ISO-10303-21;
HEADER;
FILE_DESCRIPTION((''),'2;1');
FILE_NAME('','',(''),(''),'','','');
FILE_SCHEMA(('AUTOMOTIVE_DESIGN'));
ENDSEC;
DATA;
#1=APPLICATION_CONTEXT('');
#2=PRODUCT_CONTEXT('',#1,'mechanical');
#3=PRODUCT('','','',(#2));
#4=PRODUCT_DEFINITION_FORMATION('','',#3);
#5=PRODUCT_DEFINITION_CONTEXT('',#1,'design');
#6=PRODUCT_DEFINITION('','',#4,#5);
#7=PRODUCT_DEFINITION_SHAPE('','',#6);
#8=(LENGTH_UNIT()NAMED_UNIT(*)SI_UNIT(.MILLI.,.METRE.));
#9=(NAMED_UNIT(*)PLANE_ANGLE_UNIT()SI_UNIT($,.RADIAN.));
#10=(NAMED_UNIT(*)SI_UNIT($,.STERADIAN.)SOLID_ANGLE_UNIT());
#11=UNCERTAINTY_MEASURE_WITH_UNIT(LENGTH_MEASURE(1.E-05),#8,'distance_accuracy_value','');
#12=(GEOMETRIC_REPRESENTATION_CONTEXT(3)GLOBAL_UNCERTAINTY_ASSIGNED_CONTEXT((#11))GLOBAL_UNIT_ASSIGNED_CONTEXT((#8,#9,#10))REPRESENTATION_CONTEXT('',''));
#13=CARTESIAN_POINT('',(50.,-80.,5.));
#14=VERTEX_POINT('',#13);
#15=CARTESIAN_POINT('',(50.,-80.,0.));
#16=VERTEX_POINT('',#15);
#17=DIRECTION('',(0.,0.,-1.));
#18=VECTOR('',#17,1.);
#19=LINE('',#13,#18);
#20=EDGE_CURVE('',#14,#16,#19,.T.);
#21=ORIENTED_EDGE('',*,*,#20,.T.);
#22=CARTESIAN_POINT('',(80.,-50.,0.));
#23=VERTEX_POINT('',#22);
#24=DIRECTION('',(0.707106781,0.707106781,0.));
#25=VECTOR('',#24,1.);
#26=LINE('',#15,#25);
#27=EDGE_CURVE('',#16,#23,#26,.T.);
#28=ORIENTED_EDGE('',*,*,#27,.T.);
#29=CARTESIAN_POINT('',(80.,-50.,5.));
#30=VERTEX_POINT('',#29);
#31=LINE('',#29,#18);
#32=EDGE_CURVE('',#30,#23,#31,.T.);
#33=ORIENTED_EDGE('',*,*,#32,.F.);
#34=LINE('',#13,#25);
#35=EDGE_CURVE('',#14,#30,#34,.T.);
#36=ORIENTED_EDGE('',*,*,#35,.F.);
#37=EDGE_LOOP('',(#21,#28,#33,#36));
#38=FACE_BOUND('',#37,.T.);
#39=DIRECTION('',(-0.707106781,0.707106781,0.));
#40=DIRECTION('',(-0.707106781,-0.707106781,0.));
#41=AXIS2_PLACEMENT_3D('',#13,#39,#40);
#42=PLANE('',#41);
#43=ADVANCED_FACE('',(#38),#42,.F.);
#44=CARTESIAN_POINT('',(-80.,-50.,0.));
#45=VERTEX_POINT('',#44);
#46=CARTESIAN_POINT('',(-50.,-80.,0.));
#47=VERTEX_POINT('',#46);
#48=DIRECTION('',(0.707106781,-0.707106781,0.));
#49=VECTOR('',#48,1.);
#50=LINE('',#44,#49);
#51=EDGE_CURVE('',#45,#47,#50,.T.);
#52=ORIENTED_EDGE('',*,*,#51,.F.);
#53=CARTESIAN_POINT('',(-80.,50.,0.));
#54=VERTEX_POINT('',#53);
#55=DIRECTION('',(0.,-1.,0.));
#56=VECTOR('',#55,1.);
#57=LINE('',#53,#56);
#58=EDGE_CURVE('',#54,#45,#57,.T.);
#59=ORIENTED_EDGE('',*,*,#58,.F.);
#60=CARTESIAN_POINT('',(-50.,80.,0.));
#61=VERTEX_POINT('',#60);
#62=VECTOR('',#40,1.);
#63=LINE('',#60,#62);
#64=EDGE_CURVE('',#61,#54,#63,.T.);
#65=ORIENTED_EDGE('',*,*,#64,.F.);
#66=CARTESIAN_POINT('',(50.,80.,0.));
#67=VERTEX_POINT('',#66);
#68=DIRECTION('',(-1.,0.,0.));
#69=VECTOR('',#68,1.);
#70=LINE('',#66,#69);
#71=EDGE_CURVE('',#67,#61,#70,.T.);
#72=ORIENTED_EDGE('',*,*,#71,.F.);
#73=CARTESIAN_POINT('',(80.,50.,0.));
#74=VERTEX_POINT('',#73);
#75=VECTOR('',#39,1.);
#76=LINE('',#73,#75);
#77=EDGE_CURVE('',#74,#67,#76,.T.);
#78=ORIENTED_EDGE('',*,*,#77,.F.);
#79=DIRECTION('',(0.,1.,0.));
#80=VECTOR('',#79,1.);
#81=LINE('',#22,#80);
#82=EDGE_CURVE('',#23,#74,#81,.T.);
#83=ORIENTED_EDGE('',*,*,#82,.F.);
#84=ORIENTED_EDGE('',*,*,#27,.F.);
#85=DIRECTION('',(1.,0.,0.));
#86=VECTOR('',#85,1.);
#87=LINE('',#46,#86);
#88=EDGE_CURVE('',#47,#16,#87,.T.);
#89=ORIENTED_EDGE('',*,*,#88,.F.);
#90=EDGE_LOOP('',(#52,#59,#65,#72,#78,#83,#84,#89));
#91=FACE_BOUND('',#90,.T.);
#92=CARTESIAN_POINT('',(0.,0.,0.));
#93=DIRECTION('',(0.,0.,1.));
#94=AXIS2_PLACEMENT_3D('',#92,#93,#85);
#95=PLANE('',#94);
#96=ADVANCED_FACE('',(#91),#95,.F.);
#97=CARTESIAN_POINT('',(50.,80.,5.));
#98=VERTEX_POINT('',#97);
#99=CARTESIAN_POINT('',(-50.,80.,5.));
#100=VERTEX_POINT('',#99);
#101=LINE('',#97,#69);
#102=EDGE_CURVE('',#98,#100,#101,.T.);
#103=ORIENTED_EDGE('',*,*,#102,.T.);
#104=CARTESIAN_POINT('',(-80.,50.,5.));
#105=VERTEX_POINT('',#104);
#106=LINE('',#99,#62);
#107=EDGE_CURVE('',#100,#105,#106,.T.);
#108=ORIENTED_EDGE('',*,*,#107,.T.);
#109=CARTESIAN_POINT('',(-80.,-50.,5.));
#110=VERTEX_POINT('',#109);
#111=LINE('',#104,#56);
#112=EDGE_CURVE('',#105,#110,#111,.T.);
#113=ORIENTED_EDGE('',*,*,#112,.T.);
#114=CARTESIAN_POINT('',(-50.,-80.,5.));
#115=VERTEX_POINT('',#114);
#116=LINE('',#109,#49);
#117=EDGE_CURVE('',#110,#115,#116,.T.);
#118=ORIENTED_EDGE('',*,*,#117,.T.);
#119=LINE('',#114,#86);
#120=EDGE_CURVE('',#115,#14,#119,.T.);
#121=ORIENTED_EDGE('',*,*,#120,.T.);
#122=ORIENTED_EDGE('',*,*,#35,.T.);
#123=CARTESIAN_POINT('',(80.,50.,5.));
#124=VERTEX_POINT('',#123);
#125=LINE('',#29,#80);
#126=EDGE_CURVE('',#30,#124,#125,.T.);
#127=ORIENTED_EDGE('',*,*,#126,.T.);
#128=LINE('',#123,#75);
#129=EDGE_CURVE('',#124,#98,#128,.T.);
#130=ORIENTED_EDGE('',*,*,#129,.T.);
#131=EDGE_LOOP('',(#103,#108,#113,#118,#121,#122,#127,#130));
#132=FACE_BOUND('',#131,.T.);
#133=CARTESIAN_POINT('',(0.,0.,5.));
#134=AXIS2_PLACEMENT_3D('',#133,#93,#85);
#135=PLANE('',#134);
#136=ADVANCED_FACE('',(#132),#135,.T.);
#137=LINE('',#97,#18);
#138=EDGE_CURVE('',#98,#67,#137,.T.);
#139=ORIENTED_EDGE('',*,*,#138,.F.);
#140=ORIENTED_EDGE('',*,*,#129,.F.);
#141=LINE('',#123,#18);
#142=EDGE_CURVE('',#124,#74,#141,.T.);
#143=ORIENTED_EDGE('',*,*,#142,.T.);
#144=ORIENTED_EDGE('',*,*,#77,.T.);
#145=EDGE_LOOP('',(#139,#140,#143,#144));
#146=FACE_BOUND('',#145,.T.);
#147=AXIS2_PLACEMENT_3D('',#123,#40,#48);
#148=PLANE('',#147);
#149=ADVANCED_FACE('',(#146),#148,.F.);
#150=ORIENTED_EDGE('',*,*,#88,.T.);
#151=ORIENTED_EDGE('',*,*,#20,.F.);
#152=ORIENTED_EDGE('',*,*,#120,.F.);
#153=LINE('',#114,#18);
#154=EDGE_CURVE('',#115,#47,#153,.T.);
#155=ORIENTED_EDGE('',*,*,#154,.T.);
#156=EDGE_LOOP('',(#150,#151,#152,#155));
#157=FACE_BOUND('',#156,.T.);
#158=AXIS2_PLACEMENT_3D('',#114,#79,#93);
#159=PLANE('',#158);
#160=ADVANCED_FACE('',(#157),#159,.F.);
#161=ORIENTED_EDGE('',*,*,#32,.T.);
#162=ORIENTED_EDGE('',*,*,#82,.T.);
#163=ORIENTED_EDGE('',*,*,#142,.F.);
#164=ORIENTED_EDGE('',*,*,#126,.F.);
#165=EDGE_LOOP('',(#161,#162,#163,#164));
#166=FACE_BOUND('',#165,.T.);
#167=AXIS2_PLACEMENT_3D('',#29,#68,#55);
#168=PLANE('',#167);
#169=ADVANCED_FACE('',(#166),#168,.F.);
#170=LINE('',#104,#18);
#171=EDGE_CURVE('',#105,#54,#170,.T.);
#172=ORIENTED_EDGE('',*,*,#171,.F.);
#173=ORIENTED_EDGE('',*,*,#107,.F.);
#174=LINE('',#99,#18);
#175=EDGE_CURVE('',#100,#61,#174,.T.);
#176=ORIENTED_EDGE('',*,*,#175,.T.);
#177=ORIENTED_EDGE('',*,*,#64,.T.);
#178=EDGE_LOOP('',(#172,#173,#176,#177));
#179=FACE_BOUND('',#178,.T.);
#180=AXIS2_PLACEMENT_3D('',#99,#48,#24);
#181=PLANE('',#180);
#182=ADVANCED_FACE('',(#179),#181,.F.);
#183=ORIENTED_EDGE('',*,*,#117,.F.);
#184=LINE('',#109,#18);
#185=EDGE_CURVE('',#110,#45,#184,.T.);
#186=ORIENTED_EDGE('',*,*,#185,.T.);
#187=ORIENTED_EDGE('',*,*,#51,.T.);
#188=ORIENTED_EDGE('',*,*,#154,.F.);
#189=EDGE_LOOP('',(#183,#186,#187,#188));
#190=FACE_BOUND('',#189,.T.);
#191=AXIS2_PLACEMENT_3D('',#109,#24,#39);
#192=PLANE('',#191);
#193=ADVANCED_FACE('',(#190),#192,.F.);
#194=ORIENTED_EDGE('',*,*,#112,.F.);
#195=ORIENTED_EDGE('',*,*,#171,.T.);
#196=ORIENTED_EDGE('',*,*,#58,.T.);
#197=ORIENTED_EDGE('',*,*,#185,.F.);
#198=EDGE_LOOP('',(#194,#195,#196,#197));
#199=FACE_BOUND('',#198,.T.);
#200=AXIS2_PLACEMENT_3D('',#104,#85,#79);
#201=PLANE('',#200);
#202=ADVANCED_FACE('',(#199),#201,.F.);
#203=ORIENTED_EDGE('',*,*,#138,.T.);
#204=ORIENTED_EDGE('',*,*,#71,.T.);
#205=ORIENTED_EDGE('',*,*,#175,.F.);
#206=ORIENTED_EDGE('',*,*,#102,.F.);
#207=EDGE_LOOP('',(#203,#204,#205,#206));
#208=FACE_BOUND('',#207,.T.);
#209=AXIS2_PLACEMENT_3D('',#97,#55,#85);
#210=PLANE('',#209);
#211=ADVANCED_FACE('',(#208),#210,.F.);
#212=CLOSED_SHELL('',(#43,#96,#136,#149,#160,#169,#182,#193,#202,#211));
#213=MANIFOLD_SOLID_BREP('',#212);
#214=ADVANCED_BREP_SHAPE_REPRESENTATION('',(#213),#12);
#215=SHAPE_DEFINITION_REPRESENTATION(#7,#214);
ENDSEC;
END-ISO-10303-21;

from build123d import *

# Parameters (mm, degrees)
BOSS_EXTRUDE1_DEPTH = 5


with BuildPart() as part:
    # Sketch1 → Boss-Extrude1 (new body)
    with BuildSketch(Plane.XY):
        Polygon((-80, -50), (-50, -80), (50, -80), (80, -50), (80, 50), (50, 80), (-50, 80), (-80, 50), align=None)
    extrude(amount=BOSS_EXTRUDE1_DEPTH)


solid = part.part
